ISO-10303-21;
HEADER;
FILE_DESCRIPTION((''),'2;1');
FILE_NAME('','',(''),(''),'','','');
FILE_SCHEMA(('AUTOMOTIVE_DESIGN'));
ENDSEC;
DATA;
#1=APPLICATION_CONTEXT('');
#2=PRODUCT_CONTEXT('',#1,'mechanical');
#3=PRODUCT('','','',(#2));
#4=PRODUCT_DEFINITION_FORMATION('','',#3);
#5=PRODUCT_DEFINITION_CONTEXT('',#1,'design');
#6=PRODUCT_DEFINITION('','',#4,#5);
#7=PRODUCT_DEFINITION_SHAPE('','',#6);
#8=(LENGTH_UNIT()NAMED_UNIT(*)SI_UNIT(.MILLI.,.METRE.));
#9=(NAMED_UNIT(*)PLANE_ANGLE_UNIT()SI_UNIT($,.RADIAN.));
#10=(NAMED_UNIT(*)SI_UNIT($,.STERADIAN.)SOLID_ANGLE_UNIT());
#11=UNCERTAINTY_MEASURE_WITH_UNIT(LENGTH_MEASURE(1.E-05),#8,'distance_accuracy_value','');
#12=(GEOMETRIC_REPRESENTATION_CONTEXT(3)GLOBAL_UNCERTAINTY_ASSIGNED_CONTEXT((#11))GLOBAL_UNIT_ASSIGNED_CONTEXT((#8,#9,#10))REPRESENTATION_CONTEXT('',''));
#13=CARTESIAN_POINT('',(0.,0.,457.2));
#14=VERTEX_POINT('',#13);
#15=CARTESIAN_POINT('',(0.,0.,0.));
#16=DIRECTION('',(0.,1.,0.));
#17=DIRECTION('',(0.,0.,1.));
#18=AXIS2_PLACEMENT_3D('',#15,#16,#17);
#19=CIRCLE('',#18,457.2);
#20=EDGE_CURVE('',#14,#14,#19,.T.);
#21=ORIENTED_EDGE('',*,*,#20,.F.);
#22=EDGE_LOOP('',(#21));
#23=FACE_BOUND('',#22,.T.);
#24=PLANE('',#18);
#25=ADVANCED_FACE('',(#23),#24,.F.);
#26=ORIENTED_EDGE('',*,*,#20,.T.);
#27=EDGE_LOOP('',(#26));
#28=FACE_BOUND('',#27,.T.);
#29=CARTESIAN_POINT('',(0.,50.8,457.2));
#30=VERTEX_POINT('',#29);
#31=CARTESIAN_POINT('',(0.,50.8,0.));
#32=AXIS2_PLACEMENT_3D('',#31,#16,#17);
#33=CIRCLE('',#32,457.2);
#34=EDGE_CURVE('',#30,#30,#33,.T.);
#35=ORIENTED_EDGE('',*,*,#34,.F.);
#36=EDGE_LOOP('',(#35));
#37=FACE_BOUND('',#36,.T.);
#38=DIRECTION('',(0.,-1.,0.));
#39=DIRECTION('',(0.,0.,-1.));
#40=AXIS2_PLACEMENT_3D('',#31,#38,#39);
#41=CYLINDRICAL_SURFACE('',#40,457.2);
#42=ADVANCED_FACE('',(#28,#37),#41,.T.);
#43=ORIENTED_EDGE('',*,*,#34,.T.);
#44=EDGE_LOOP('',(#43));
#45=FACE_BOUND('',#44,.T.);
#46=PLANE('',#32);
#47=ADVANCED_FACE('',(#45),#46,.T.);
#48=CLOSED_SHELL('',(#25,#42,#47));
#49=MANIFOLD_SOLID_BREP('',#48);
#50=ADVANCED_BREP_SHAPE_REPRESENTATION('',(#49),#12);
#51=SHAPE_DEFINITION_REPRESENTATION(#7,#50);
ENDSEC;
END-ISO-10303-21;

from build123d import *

# Parameters (mm, degrees)
SKETCH1_R           = 457.2
BOSS_EXTRUDE1_DEPTH = 50.8


with BuildPart() as part:
    # Sketch1 → Boss-Extrude1 (new body)
    with BuildSketch(Plane(origin=(0, 0, 0), x_dir=(1, 0, 0), z_dir=(0, 1, 0))):
        Circle(SKETCH1_R)
    extrude(amount=BOSS_EXTRUDE1_DEPTH)


solid = part.part
